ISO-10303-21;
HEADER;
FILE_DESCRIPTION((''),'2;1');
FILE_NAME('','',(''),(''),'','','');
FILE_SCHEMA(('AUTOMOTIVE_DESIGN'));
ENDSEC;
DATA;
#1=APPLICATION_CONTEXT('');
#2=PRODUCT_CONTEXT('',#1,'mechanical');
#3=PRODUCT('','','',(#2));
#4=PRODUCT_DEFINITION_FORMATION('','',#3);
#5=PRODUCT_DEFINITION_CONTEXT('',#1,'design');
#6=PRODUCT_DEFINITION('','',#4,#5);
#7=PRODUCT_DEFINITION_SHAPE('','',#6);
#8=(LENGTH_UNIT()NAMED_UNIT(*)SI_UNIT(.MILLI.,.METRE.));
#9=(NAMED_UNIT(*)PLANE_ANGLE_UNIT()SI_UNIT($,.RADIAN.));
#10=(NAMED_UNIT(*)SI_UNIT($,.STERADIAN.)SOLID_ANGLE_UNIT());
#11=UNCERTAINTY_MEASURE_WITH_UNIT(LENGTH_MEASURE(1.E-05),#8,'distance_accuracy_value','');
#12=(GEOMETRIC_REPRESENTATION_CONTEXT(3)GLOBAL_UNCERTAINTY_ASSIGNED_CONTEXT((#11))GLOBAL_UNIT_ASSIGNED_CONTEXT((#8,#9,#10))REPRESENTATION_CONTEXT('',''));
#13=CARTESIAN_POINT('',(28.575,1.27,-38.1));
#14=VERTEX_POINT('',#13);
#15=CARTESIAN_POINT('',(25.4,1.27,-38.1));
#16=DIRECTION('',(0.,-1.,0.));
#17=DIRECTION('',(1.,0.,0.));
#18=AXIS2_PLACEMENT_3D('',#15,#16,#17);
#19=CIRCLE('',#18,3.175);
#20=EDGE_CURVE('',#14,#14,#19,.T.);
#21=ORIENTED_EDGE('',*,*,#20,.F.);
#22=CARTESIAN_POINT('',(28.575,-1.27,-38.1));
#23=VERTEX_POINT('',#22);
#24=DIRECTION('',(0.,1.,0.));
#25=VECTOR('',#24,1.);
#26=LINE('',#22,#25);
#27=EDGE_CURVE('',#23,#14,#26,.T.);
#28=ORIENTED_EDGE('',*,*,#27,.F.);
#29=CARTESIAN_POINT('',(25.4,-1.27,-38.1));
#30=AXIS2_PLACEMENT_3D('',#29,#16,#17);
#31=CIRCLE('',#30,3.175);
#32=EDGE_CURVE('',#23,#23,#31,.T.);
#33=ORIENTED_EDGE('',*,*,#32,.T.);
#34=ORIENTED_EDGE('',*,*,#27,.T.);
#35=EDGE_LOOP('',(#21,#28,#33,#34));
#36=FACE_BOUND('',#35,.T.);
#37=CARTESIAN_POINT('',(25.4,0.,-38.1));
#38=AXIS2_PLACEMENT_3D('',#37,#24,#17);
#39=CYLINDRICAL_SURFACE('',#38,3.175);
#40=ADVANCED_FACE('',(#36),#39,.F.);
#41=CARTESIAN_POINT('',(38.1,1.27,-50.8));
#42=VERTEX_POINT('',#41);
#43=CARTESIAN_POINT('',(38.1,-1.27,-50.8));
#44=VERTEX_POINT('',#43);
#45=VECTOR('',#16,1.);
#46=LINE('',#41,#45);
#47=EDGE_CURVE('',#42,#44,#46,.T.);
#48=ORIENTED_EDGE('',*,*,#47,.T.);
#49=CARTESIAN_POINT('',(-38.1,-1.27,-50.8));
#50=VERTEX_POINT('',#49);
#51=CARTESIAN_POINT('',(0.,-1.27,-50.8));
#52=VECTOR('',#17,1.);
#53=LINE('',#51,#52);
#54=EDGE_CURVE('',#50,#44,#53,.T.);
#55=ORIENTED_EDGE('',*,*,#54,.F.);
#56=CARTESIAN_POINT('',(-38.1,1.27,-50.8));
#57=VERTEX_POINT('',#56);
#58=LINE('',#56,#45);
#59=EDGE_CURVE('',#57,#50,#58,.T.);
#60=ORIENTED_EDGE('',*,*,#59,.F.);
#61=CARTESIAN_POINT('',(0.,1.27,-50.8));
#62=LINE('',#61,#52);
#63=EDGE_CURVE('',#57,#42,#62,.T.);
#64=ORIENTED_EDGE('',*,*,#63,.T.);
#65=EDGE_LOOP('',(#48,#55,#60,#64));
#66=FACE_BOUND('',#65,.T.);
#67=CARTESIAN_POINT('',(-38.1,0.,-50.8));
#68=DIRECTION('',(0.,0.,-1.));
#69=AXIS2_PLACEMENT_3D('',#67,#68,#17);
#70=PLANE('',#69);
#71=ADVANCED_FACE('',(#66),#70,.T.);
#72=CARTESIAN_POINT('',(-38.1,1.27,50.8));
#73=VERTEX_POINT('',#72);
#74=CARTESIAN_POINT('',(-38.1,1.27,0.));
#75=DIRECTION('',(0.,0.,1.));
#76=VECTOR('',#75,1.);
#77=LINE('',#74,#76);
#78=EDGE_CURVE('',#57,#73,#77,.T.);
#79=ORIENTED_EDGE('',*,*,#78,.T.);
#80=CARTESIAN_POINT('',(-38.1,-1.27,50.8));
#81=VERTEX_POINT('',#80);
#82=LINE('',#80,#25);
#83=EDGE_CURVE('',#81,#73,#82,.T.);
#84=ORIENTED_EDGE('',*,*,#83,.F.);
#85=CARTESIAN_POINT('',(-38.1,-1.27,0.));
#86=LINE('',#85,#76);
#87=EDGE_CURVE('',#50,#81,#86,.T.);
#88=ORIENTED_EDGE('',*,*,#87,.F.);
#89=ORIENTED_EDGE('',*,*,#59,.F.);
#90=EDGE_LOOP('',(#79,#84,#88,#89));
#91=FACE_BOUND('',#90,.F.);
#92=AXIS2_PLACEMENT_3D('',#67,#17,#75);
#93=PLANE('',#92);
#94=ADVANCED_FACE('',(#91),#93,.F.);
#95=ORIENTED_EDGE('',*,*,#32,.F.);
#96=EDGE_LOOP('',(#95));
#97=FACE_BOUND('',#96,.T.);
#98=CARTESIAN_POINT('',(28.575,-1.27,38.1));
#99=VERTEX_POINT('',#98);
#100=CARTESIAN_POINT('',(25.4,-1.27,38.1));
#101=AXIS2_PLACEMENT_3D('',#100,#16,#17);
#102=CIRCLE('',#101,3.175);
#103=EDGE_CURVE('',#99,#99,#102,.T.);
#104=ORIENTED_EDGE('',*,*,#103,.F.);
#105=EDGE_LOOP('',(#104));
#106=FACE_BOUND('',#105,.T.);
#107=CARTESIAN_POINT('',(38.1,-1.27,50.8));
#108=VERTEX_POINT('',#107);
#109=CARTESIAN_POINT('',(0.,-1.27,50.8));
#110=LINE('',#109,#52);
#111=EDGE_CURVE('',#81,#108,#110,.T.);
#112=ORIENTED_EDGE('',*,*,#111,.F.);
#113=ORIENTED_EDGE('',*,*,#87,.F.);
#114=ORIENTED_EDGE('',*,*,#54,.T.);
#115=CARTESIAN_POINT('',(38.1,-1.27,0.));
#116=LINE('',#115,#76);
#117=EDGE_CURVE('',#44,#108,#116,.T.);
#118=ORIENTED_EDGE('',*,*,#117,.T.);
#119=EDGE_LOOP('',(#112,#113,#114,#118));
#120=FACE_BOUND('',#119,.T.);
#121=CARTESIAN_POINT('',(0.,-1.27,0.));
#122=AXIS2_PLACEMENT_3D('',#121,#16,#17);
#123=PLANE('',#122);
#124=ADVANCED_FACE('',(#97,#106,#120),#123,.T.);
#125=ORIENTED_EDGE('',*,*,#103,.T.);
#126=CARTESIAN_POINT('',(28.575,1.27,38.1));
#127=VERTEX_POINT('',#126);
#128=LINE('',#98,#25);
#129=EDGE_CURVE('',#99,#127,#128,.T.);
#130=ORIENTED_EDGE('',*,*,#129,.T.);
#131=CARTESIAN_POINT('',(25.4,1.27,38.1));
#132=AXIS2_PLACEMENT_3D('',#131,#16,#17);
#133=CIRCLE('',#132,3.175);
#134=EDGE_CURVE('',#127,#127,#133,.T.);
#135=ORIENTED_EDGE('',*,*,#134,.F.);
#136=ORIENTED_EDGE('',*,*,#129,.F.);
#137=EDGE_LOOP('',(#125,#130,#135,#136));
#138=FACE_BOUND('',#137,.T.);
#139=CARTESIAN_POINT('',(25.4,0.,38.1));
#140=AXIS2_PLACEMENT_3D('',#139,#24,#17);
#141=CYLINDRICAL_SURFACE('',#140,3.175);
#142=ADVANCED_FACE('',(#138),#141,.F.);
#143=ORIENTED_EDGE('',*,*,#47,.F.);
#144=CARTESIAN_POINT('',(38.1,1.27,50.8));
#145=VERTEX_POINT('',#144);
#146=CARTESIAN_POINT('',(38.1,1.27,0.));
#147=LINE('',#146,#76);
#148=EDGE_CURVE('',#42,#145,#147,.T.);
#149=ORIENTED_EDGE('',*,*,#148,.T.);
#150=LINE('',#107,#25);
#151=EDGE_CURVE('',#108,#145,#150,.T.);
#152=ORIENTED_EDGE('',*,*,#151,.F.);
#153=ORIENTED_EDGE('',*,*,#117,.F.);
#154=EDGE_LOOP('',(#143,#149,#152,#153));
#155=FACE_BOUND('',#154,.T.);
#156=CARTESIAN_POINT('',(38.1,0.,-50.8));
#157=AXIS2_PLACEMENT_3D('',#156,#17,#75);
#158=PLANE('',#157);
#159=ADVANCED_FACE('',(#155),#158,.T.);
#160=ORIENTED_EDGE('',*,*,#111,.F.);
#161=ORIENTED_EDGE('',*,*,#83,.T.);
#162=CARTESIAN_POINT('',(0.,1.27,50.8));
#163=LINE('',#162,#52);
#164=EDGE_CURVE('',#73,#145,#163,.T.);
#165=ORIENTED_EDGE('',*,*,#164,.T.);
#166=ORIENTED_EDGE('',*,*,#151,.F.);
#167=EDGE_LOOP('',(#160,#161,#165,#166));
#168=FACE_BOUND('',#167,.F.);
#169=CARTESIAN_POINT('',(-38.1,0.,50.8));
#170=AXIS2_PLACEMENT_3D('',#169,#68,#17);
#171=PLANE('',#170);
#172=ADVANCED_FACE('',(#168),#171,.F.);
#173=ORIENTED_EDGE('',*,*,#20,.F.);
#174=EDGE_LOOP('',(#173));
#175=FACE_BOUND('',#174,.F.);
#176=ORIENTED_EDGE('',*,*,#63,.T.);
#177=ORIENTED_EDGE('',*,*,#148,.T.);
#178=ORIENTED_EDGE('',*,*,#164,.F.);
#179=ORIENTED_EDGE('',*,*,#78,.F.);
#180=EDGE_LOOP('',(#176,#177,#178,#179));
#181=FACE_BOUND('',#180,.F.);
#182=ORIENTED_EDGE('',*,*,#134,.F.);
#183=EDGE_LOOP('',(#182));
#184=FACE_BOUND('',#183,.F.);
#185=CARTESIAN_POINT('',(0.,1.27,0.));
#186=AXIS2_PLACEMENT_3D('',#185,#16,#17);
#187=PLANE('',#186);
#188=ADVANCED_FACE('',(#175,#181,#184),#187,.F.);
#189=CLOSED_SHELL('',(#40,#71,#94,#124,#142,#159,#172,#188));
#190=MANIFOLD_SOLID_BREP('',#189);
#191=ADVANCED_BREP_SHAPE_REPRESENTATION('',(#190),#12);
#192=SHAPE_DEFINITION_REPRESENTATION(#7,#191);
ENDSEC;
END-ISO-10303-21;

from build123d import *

# Parameters (mm, degrees)
F0_W     = 76.2
F0_H     = 101.6
F0_R     = 3.175
F1_DEPTH = 1.27


with BuildPart() as f1:
    # F0 (on Front) → F1 (new body, symmetric)
    with BuildSketch(Plane.XZ):
        Rectangle(F0_W, F0_H)
        with Locations((25.4, -38.1)):
            Circle(F0_R, mode=Mode.SUBTRACT)
        with Locations((25.4, 38.1)):
            Circle(F0_R, mode=Mode.SUBTRACT)
    extrude(amount=F1_DEPTH, both=True)


solid = f1.part
